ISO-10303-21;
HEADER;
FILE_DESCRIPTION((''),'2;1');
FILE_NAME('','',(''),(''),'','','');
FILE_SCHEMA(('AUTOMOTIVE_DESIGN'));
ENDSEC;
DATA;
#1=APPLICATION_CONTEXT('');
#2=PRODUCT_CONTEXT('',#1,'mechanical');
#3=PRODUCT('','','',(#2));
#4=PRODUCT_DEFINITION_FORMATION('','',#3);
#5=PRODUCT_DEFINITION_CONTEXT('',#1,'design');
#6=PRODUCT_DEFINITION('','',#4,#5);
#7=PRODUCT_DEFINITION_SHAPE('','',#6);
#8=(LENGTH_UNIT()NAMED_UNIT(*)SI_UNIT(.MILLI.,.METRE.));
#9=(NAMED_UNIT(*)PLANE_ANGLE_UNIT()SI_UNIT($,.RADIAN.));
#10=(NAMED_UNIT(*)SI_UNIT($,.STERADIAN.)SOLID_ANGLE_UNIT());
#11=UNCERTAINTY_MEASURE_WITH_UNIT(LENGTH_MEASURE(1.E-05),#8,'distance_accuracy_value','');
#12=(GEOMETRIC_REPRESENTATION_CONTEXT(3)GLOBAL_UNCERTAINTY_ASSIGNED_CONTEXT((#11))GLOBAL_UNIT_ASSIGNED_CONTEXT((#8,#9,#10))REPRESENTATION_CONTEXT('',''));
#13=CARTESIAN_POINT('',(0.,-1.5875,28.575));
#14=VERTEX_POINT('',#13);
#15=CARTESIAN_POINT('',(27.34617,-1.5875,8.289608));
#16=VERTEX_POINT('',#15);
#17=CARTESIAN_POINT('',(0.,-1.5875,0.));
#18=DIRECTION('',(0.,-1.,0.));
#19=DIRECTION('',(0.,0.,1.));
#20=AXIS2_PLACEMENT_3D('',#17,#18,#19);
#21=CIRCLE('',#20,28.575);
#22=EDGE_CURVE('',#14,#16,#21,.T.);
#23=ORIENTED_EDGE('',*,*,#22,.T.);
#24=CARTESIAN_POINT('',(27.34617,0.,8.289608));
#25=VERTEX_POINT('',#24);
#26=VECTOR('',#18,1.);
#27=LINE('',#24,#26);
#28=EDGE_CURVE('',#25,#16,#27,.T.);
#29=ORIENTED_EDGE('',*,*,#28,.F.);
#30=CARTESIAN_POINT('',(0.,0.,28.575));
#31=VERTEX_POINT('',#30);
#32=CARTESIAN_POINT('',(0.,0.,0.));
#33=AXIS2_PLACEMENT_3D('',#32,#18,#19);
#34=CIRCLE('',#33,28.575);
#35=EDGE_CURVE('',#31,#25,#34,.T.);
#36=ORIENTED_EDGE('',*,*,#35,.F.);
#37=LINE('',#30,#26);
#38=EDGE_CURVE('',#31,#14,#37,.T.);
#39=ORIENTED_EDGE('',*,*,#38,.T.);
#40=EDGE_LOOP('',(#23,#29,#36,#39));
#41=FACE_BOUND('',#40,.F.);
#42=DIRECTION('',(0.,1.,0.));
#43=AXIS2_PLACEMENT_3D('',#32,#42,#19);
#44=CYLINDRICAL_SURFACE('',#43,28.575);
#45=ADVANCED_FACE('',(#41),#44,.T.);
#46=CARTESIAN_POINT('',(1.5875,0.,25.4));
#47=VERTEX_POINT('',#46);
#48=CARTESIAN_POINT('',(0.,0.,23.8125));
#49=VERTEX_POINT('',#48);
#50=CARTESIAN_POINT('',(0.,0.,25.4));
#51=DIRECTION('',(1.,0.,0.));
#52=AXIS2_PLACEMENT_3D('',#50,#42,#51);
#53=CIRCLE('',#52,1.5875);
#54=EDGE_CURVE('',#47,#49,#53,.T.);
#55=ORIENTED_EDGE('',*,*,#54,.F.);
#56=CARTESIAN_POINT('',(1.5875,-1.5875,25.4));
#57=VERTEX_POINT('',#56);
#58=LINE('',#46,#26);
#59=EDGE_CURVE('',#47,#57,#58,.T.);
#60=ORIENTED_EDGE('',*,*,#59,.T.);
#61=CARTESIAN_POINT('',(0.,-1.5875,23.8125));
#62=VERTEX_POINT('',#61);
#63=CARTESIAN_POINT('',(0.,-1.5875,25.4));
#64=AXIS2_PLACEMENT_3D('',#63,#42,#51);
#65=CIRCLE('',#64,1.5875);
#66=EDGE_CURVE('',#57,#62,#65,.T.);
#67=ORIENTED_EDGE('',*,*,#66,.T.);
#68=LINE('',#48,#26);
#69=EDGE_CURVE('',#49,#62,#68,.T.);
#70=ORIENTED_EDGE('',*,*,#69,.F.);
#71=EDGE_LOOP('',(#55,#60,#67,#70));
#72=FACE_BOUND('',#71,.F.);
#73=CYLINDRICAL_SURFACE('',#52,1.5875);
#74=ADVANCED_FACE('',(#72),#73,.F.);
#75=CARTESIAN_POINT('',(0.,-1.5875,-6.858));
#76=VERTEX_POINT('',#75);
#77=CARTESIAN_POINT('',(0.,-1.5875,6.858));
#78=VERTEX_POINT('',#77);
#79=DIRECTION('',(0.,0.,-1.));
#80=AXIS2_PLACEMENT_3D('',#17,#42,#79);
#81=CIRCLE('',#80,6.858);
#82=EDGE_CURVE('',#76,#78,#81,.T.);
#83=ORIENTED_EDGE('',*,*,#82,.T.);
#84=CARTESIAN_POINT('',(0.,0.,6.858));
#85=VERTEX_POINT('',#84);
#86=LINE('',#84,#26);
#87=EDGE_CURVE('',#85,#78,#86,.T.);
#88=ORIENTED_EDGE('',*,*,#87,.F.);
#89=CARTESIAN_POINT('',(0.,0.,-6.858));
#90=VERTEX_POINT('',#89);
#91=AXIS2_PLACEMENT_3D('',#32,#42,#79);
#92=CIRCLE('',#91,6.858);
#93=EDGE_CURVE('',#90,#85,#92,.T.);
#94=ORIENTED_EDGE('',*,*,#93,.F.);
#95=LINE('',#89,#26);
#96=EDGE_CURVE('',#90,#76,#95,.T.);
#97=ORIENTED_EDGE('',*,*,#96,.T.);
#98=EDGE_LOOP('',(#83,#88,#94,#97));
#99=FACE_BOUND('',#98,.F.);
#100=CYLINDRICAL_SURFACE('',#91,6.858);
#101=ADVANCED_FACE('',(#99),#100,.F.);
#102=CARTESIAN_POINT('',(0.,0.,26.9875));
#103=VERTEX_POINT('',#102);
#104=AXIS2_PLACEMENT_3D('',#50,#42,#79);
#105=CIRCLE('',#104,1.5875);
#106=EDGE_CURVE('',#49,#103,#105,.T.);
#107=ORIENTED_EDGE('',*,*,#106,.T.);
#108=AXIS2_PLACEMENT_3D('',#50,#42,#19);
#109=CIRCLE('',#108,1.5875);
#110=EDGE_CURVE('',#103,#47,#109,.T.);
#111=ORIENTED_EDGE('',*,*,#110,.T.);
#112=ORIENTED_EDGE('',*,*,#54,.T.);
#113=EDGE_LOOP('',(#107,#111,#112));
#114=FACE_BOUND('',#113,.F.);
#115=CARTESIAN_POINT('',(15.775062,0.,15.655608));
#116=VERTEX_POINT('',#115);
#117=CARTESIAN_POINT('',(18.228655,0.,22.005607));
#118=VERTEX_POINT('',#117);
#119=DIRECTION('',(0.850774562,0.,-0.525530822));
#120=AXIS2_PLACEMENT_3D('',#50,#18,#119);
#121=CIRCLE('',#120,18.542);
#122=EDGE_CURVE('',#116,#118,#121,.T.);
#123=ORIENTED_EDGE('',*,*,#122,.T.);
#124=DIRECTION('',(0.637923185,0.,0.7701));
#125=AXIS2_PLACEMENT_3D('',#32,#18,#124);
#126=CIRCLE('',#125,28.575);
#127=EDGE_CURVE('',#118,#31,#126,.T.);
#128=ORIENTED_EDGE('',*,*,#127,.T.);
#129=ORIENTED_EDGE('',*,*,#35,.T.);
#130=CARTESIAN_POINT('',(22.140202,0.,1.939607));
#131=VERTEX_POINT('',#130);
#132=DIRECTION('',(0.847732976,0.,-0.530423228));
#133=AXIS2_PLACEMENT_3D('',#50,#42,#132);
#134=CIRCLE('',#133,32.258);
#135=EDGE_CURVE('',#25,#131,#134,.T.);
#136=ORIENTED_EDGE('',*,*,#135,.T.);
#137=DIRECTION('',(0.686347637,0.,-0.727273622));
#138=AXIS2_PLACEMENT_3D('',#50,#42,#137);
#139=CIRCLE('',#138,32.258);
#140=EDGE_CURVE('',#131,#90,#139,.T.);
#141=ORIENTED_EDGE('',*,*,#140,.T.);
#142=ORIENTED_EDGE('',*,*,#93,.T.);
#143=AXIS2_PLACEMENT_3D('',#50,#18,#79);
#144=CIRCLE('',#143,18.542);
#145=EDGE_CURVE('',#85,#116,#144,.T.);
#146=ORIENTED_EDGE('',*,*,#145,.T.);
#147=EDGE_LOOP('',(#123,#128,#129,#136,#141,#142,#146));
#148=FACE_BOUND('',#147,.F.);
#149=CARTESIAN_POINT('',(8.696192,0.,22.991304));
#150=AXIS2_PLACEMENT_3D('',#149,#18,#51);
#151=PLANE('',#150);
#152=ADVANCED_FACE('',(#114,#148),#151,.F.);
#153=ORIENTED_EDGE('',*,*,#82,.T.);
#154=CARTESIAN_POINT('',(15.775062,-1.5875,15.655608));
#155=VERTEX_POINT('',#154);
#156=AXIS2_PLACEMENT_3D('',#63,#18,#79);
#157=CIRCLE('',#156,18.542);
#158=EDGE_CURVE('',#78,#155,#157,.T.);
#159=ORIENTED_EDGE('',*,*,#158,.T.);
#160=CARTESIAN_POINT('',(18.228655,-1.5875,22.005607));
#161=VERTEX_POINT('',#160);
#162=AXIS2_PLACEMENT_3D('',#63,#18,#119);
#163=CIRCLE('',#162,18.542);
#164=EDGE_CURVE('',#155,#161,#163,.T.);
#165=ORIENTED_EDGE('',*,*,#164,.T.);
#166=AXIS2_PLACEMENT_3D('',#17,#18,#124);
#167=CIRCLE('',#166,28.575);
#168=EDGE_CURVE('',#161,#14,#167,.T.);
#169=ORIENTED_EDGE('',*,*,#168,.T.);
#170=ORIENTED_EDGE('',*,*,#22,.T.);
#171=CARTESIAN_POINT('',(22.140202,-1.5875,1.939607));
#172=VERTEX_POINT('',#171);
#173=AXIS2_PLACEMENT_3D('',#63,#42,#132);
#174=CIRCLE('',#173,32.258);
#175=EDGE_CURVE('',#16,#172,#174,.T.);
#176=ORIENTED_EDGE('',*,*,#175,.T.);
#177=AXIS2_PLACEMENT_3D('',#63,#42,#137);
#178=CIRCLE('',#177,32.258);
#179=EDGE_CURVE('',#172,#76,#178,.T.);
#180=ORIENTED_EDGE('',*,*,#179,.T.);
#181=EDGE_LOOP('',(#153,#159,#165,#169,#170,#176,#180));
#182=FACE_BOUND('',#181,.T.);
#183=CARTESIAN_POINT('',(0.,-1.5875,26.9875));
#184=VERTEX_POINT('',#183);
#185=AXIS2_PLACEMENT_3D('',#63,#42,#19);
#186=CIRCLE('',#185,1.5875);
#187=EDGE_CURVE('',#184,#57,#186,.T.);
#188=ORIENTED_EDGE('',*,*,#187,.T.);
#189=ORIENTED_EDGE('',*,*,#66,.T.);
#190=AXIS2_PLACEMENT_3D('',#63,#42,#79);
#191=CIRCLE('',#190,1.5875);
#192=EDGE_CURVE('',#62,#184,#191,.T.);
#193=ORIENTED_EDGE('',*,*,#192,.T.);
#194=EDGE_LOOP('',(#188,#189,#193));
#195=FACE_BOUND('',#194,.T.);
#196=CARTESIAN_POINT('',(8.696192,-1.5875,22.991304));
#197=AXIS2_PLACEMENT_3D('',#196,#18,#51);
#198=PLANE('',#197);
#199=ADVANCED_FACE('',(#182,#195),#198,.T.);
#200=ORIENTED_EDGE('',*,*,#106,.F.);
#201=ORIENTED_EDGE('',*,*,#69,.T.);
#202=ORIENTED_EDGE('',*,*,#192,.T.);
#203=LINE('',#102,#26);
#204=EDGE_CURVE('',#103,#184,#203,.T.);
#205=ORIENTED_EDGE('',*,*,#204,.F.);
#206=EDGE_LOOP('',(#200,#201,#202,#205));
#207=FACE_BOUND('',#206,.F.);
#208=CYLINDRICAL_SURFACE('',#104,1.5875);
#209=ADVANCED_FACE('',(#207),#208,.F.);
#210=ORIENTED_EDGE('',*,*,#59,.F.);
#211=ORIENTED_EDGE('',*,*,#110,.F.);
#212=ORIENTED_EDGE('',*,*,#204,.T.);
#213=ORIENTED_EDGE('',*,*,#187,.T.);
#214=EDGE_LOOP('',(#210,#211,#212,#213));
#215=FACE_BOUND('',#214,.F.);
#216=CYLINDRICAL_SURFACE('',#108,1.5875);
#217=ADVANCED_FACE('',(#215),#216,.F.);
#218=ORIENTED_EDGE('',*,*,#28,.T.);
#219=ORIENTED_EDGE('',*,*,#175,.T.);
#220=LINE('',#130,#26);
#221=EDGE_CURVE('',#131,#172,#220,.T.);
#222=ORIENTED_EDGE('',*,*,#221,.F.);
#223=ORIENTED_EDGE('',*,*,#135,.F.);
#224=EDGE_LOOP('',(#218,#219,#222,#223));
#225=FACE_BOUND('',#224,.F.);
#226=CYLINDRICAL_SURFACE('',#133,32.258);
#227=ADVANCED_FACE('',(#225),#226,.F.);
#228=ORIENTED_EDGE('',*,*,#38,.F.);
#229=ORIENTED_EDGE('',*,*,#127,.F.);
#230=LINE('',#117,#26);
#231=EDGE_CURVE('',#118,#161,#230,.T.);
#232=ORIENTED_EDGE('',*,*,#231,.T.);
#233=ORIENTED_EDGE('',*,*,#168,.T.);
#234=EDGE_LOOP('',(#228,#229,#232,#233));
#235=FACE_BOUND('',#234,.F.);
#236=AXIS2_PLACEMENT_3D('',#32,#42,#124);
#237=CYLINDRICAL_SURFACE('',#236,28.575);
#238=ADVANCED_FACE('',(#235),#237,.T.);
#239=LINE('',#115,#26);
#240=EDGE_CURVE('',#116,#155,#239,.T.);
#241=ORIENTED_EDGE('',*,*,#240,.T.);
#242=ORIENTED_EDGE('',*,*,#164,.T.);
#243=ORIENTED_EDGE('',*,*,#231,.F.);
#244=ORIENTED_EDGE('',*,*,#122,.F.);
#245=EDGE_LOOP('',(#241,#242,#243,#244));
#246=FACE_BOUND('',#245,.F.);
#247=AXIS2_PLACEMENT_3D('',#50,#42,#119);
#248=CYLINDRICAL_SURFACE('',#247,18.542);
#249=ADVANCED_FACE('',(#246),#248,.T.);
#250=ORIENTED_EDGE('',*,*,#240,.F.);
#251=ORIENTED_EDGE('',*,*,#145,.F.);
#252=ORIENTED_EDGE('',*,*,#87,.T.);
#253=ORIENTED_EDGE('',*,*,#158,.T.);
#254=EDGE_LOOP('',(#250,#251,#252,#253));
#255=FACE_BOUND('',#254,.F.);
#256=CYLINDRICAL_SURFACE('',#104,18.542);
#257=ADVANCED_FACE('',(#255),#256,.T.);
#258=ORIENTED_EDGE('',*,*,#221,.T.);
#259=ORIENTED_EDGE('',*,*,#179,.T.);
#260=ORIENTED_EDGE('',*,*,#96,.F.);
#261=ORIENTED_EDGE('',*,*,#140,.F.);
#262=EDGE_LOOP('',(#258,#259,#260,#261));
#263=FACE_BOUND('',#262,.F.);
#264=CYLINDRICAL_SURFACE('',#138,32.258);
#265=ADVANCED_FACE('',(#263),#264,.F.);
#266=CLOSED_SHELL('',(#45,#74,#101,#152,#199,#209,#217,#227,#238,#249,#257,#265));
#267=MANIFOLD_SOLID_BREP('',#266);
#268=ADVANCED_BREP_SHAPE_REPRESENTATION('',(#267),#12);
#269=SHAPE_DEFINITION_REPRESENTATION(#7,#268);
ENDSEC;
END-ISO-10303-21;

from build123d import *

# Parameters (mm, degrees)
F1_DEPTH = 1.5875


with BuildPart() as f1:
    # F0 (on Front) → F1 (new body)
    with BuildSketch(Plane.XZ):
        with BuildLine():
            ThreePointArc((15.7750619272, 15.6556075), (17.2957745251, 18.7170405077), (18.2286550123, 22.0056075))
            ThreePointArc((18.2286550123, 22.0056075), (9.6881471574, 26.8825301945), (0, 28.575))
            Line((0, 28.575), (0, 26.9875))
            ThreePointArc((0, 26.9875), (1.1225320151, 26.5225320151), (1.5875, 25.4))
            ThreePointArc((1.5875, 25.4), (1.1225320151, 24.2774679849), (0, 23.8125))
            Line((0, 23.8125), (0, 22.225))
            ThreePointArc((0, 22.225), (8.5441426812, 20.5170234402), (15.7750619272, 15.6556075))
        make_face()
        with BuildLine():
            Line((0, 26.9875), (0, 28.575))
            ThreePointArc((0, 28.575), (-17.0243221699, -22.9500126287), (27.3461703442, 8.2896075))
            ThreePointArc((27.3461703442, 8.2896075), (24.9460595827, 4.9482842946), (22.140202071, 1.9396075))
            ThreePointArc((22.140202071, 1.9396075), (-15.0140409003, -16.3868606159), (0, 22.225))
            Line((0, 22.225), (0, 23.8125))
            ThreePointArc((0, 23.8125), (-1.5875, 25.4), (0, 26.9875))
        make_face()
        with BuildLine():
            ThreePointArc((0, 6.858), (9.0312025297, 9.2060769155), (15.7750619272, 15.6556075))
            ThreePointArc((15.7750619272, 15.6556075), (8.5441426812, 20.5170234402), (0, 22.225))
            Line((0, 22.225), (0, 6.858))
        make_face()
        with BuildLine():
            Line((0, 6.858), (0, 22.225))
            ThreePointArc((0, 22.225), (-15.0140409003, -16.3868606159), (22.140202071, 1.9396075))
            ThreePointArc((22.140202071, 1.9396075), (11.9120364072, -4.5780244952), (0, -6.858))
            ThreePointArc((0, -6.858), (-6.858, 0), (0, 6.858))
        make_face()
    extrude(amount=F1_DEPTH)


solid = f1.part
